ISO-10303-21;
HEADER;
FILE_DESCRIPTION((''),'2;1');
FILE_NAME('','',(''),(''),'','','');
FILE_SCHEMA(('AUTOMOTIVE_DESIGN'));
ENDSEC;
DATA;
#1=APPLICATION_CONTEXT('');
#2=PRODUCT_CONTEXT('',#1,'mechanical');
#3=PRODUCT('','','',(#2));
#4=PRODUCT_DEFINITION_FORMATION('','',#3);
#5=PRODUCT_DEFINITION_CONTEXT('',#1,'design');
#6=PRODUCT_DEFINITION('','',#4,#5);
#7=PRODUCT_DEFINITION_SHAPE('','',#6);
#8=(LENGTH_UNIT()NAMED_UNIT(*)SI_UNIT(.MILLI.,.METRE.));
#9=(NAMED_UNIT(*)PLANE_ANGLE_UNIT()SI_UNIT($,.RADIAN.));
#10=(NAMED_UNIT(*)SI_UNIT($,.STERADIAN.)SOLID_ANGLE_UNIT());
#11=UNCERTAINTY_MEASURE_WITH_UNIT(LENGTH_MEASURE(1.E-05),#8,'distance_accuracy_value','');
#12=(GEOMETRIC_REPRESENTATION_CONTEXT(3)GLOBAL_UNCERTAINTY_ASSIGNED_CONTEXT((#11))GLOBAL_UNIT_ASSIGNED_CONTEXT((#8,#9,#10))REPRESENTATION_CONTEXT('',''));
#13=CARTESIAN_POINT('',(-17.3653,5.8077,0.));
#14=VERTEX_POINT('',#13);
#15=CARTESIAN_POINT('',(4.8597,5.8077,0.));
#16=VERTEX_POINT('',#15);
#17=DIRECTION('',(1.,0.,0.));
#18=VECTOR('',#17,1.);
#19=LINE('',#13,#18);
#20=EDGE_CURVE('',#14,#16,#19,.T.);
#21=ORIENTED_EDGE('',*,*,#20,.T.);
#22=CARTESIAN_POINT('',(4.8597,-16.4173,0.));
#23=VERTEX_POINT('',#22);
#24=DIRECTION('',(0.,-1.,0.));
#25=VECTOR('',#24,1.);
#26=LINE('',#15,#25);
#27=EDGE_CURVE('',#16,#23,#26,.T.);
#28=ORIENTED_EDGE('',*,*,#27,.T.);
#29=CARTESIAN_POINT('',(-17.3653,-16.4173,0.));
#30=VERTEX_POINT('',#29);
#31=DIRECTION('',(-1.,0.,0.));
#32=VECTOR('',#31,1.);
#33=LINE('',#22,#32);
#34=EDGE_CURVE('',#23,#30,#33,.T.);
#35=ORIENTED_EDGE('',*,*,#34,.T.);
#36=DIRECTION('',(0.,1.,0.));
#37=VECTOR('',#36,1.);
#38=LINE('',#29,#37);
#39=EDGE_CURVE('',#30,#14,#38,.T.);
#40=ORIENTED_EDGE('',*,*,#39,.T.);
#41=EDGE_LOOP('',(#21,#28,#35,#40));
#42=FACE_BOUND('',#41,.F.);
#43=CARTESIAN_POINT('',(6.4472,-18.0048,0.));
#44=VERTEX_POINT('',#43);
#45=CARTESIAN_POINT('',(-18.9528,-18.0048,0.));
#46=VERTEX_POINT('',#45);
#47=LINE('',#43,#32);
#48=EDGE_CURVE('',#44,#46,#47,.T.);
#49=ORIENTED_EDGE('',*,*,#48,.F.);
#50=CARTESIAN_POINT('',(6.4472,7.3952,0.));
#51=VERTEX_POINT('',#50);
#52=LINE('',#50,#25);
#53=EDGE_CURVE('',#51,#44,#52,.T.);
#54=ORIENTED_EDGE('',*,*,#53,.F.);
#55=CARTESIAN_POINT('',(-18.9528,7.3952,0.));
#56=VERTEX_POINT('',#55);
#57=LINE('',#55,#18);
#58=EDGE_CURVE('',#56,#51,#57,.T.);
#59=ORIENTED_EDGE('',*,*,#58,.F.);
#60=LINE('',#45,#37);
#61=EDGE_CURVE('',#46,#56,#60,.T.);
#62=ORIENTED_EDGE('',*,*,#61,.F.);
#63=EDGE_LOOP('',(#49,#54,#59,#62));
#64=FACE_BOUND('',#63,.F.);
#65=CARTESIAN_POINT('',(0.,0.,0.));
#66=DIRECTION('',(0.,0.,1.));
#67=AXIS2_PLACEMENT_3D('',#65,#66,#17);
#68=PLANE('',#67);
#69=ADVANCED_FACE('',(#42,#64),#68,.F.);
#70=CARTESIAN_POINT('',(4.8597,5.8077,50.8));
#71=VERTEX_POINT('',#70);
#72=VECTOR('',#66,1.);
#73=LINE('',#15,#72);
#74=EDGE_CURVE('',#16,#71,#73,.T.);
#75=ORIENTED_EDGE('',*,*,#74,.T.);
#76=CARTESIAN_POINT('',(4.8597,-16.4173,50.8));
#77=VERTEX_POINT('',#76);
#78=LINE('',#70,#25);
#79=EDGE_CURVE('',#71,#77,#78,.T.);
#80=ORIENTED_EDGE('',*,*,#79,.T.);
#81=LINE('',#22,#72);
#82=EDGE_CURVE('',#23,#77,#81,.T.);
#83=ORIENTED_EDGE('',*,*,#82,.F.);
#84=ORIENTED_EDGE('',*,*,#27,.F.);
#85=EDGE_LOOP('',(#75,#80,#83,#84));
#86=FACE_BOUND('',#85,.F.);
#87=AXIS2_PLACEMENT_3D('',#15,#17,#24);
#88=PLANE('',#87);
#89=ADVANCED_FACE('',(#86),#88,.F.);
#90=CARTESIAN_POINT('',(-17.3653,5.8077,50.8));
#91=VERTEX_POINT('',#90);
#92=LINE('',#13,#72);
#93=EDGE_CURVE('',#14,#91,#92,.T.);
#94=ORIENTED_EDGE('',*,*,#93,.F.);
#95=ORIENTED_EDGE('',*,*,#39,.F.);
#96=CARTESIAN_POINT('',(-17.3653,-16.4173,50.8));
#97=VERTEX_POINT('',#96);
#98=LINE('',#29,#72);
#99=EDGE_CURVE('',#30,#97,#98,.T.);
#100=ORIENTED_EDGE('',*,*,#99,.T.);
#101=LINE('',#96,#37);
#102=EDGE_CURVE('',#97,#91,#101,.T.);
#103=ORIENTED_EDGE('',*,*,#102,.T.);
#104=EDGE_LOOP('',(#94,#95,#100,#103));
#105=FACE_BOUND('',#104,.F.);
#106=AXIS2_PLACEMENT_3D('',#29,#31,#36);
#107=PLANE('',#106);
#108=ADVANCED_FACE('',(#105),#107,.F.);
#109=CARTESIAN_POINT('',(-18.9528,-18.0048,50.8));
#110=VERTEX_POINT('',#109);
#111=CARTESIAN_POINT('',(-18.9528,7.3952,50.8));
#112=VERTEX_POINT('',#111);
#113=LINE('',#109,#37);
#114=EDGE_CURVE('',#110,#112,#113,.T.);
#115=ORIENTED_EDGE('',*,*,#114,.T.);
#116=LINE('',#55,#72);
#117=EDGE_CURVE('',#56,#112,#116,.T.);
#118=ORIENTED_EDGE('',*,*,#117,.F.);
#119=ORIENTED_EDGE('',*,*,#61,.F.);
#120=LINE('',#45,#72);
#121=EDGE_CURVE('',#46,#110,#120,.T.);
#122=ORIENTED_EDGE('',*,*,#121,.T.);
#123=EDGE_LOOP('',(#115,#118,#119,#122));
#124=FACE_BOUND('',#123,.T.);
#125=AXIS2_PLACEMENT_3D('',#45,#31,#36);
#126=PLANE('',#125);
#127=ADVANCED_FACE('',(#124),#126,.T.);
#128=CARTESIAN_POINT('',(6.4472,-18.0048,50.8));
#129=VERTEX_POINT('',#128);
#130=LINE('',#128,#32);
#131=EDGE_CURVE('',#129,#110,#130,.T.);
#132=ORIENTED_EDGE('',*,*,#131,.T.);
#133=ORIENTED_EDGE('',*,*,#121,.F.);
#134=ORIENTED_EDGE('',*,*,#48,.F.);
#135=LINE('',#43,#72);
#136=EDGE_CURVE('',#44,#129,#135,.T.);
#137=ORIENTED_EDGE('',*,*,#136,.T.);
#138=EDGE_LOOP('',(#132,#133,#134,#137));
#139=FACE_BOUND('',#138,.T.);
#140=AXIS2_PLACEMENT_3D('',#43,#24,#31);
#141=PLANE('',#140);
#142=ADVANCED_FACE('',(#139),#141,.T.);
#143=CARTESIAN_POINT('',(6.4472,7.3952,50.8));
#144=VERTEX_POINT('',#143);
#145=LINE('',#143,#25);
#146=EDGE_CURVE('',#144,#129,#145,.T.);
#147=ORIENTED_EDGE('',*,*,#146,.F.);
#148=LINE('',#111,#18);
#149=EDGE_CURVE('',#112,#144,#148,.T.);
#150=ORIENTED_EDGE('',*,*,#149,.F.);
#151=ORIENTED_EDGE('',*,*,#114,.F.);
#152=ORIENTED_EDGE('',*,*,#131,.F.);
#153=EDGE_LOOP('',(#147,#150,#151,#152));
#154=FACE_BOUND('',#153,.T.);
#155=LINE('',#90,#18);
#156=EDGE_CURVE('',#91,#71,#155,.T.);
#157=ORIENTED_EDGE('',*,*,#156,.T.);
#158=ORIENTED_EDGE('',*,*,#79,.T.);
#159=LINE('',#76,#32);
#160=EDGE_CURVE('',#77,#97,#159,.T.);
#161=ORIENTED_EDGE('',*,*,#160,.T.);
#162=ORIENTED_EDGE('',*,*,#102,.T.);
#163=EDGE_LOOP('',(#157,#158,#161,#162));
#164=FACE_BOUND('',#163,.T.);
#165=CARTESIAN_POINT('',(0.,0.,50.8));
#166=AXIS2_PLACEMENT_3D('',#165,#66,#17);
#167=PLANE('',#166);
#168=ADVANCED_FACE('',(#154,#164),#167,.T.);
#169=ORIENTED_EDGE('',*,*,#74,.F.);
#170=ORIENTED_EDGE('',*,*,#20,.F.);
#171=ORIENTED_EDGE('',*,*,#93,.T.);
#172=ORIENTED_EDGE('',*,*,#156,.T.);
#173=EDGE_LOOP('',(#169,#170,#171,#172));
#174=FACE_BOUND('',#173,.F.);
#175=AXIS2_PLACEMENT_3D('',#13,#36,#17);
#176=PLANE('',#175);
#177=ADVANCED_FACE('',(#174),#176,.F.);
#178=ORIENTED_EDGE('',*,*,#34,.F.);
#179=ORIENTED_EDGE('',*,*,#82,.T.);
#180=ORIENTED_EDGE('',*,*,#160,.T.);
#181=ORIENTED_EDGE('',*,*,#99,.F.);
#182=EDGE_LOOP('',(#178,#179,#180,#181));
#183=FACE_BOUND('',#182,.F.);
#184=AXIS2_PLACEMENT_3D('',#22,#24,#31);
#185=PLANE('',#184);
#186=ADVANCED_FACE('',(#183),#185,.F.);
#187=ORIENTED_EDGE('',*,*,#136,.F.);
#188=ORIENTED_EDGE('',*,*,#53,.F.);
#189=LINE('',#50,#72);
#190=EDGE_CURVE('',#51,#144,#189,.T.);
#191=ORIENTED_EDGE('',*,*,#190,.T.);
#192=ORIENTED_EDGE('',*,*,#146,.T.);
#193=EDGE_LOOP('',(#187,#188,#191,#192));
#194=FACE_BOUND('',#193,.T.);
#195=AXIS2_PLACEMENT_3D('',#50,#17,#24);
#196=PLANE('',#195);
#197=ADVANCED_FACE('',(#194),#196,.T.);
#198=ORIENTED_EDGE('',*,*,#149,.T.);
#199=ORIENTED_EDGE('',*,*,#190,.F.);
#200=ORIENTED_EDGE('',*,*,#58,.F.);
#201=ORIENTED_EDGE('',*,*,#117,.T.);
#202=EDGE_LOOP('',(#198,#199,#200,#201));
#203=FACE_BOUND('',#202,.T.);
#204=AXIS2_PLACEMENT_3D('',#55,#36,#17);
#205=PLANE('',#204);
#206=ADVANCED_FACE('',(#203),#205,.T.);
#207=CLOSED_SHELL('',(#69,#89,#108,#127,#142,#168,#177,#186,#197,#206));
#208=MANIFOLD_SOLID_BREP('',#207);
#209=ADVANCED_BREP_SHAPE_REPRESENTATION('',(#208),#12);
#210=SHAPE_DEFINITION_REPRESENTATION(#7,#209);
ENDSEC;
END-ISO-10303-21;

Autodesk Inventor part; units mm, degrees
ref_plane "YZ Plane" through (0, 0, 0) normal (1, 0, 0) x (0, 1, 0)
ref_plane "XZ Plane" through (0, 0, 0) normal (0, 1, 0) x (-1, 0, 0)
ref_plane "XY Plane" through (0, 0, 0) normal (0, 0, 1) x (1, 0, 0)
sketch "Sketch1" plane through (0, 0, 0) normal (0, 0, 1) x (1, 0, 0)
  line L0 (-18.9528, 7.3952) -> (6.4472, 7.3952)
  line L1 (6.4472, 7.3952) -> (6.4472, -18.0048)
  line L2 (6.4472, -18.0048) -> (-18.9528, -18.0048)
  line L3 (-18.9528, -18.0048) -> (-18.9528, 7.3952)
  line L4 (-17.3653, 5.8077) -> (4.8597, 5.8077)
  line L5 (4.8597, 5.8077) -> (4.8597, -16.4173)
  line L6 (4.8597, -16.4173) -> (-17.3653, -16.4173)
  line L7 (-17.3653, -16.4173) -> (-17.3653, 5.8077)
  point P0 (0, 0)
  dimension "d0" = 25.4
  dimension "d1" = 25.4
  dimension "d2" = 1.5875
  dimension "d3" = 1.5875
  dimension "d4" = 1.5875
  dimension "d5" = 1.5875
extrude "Extrusion1" add sketch "Sketch1" along normal blind 50.8
properties part number "1-16 tube 2''"
